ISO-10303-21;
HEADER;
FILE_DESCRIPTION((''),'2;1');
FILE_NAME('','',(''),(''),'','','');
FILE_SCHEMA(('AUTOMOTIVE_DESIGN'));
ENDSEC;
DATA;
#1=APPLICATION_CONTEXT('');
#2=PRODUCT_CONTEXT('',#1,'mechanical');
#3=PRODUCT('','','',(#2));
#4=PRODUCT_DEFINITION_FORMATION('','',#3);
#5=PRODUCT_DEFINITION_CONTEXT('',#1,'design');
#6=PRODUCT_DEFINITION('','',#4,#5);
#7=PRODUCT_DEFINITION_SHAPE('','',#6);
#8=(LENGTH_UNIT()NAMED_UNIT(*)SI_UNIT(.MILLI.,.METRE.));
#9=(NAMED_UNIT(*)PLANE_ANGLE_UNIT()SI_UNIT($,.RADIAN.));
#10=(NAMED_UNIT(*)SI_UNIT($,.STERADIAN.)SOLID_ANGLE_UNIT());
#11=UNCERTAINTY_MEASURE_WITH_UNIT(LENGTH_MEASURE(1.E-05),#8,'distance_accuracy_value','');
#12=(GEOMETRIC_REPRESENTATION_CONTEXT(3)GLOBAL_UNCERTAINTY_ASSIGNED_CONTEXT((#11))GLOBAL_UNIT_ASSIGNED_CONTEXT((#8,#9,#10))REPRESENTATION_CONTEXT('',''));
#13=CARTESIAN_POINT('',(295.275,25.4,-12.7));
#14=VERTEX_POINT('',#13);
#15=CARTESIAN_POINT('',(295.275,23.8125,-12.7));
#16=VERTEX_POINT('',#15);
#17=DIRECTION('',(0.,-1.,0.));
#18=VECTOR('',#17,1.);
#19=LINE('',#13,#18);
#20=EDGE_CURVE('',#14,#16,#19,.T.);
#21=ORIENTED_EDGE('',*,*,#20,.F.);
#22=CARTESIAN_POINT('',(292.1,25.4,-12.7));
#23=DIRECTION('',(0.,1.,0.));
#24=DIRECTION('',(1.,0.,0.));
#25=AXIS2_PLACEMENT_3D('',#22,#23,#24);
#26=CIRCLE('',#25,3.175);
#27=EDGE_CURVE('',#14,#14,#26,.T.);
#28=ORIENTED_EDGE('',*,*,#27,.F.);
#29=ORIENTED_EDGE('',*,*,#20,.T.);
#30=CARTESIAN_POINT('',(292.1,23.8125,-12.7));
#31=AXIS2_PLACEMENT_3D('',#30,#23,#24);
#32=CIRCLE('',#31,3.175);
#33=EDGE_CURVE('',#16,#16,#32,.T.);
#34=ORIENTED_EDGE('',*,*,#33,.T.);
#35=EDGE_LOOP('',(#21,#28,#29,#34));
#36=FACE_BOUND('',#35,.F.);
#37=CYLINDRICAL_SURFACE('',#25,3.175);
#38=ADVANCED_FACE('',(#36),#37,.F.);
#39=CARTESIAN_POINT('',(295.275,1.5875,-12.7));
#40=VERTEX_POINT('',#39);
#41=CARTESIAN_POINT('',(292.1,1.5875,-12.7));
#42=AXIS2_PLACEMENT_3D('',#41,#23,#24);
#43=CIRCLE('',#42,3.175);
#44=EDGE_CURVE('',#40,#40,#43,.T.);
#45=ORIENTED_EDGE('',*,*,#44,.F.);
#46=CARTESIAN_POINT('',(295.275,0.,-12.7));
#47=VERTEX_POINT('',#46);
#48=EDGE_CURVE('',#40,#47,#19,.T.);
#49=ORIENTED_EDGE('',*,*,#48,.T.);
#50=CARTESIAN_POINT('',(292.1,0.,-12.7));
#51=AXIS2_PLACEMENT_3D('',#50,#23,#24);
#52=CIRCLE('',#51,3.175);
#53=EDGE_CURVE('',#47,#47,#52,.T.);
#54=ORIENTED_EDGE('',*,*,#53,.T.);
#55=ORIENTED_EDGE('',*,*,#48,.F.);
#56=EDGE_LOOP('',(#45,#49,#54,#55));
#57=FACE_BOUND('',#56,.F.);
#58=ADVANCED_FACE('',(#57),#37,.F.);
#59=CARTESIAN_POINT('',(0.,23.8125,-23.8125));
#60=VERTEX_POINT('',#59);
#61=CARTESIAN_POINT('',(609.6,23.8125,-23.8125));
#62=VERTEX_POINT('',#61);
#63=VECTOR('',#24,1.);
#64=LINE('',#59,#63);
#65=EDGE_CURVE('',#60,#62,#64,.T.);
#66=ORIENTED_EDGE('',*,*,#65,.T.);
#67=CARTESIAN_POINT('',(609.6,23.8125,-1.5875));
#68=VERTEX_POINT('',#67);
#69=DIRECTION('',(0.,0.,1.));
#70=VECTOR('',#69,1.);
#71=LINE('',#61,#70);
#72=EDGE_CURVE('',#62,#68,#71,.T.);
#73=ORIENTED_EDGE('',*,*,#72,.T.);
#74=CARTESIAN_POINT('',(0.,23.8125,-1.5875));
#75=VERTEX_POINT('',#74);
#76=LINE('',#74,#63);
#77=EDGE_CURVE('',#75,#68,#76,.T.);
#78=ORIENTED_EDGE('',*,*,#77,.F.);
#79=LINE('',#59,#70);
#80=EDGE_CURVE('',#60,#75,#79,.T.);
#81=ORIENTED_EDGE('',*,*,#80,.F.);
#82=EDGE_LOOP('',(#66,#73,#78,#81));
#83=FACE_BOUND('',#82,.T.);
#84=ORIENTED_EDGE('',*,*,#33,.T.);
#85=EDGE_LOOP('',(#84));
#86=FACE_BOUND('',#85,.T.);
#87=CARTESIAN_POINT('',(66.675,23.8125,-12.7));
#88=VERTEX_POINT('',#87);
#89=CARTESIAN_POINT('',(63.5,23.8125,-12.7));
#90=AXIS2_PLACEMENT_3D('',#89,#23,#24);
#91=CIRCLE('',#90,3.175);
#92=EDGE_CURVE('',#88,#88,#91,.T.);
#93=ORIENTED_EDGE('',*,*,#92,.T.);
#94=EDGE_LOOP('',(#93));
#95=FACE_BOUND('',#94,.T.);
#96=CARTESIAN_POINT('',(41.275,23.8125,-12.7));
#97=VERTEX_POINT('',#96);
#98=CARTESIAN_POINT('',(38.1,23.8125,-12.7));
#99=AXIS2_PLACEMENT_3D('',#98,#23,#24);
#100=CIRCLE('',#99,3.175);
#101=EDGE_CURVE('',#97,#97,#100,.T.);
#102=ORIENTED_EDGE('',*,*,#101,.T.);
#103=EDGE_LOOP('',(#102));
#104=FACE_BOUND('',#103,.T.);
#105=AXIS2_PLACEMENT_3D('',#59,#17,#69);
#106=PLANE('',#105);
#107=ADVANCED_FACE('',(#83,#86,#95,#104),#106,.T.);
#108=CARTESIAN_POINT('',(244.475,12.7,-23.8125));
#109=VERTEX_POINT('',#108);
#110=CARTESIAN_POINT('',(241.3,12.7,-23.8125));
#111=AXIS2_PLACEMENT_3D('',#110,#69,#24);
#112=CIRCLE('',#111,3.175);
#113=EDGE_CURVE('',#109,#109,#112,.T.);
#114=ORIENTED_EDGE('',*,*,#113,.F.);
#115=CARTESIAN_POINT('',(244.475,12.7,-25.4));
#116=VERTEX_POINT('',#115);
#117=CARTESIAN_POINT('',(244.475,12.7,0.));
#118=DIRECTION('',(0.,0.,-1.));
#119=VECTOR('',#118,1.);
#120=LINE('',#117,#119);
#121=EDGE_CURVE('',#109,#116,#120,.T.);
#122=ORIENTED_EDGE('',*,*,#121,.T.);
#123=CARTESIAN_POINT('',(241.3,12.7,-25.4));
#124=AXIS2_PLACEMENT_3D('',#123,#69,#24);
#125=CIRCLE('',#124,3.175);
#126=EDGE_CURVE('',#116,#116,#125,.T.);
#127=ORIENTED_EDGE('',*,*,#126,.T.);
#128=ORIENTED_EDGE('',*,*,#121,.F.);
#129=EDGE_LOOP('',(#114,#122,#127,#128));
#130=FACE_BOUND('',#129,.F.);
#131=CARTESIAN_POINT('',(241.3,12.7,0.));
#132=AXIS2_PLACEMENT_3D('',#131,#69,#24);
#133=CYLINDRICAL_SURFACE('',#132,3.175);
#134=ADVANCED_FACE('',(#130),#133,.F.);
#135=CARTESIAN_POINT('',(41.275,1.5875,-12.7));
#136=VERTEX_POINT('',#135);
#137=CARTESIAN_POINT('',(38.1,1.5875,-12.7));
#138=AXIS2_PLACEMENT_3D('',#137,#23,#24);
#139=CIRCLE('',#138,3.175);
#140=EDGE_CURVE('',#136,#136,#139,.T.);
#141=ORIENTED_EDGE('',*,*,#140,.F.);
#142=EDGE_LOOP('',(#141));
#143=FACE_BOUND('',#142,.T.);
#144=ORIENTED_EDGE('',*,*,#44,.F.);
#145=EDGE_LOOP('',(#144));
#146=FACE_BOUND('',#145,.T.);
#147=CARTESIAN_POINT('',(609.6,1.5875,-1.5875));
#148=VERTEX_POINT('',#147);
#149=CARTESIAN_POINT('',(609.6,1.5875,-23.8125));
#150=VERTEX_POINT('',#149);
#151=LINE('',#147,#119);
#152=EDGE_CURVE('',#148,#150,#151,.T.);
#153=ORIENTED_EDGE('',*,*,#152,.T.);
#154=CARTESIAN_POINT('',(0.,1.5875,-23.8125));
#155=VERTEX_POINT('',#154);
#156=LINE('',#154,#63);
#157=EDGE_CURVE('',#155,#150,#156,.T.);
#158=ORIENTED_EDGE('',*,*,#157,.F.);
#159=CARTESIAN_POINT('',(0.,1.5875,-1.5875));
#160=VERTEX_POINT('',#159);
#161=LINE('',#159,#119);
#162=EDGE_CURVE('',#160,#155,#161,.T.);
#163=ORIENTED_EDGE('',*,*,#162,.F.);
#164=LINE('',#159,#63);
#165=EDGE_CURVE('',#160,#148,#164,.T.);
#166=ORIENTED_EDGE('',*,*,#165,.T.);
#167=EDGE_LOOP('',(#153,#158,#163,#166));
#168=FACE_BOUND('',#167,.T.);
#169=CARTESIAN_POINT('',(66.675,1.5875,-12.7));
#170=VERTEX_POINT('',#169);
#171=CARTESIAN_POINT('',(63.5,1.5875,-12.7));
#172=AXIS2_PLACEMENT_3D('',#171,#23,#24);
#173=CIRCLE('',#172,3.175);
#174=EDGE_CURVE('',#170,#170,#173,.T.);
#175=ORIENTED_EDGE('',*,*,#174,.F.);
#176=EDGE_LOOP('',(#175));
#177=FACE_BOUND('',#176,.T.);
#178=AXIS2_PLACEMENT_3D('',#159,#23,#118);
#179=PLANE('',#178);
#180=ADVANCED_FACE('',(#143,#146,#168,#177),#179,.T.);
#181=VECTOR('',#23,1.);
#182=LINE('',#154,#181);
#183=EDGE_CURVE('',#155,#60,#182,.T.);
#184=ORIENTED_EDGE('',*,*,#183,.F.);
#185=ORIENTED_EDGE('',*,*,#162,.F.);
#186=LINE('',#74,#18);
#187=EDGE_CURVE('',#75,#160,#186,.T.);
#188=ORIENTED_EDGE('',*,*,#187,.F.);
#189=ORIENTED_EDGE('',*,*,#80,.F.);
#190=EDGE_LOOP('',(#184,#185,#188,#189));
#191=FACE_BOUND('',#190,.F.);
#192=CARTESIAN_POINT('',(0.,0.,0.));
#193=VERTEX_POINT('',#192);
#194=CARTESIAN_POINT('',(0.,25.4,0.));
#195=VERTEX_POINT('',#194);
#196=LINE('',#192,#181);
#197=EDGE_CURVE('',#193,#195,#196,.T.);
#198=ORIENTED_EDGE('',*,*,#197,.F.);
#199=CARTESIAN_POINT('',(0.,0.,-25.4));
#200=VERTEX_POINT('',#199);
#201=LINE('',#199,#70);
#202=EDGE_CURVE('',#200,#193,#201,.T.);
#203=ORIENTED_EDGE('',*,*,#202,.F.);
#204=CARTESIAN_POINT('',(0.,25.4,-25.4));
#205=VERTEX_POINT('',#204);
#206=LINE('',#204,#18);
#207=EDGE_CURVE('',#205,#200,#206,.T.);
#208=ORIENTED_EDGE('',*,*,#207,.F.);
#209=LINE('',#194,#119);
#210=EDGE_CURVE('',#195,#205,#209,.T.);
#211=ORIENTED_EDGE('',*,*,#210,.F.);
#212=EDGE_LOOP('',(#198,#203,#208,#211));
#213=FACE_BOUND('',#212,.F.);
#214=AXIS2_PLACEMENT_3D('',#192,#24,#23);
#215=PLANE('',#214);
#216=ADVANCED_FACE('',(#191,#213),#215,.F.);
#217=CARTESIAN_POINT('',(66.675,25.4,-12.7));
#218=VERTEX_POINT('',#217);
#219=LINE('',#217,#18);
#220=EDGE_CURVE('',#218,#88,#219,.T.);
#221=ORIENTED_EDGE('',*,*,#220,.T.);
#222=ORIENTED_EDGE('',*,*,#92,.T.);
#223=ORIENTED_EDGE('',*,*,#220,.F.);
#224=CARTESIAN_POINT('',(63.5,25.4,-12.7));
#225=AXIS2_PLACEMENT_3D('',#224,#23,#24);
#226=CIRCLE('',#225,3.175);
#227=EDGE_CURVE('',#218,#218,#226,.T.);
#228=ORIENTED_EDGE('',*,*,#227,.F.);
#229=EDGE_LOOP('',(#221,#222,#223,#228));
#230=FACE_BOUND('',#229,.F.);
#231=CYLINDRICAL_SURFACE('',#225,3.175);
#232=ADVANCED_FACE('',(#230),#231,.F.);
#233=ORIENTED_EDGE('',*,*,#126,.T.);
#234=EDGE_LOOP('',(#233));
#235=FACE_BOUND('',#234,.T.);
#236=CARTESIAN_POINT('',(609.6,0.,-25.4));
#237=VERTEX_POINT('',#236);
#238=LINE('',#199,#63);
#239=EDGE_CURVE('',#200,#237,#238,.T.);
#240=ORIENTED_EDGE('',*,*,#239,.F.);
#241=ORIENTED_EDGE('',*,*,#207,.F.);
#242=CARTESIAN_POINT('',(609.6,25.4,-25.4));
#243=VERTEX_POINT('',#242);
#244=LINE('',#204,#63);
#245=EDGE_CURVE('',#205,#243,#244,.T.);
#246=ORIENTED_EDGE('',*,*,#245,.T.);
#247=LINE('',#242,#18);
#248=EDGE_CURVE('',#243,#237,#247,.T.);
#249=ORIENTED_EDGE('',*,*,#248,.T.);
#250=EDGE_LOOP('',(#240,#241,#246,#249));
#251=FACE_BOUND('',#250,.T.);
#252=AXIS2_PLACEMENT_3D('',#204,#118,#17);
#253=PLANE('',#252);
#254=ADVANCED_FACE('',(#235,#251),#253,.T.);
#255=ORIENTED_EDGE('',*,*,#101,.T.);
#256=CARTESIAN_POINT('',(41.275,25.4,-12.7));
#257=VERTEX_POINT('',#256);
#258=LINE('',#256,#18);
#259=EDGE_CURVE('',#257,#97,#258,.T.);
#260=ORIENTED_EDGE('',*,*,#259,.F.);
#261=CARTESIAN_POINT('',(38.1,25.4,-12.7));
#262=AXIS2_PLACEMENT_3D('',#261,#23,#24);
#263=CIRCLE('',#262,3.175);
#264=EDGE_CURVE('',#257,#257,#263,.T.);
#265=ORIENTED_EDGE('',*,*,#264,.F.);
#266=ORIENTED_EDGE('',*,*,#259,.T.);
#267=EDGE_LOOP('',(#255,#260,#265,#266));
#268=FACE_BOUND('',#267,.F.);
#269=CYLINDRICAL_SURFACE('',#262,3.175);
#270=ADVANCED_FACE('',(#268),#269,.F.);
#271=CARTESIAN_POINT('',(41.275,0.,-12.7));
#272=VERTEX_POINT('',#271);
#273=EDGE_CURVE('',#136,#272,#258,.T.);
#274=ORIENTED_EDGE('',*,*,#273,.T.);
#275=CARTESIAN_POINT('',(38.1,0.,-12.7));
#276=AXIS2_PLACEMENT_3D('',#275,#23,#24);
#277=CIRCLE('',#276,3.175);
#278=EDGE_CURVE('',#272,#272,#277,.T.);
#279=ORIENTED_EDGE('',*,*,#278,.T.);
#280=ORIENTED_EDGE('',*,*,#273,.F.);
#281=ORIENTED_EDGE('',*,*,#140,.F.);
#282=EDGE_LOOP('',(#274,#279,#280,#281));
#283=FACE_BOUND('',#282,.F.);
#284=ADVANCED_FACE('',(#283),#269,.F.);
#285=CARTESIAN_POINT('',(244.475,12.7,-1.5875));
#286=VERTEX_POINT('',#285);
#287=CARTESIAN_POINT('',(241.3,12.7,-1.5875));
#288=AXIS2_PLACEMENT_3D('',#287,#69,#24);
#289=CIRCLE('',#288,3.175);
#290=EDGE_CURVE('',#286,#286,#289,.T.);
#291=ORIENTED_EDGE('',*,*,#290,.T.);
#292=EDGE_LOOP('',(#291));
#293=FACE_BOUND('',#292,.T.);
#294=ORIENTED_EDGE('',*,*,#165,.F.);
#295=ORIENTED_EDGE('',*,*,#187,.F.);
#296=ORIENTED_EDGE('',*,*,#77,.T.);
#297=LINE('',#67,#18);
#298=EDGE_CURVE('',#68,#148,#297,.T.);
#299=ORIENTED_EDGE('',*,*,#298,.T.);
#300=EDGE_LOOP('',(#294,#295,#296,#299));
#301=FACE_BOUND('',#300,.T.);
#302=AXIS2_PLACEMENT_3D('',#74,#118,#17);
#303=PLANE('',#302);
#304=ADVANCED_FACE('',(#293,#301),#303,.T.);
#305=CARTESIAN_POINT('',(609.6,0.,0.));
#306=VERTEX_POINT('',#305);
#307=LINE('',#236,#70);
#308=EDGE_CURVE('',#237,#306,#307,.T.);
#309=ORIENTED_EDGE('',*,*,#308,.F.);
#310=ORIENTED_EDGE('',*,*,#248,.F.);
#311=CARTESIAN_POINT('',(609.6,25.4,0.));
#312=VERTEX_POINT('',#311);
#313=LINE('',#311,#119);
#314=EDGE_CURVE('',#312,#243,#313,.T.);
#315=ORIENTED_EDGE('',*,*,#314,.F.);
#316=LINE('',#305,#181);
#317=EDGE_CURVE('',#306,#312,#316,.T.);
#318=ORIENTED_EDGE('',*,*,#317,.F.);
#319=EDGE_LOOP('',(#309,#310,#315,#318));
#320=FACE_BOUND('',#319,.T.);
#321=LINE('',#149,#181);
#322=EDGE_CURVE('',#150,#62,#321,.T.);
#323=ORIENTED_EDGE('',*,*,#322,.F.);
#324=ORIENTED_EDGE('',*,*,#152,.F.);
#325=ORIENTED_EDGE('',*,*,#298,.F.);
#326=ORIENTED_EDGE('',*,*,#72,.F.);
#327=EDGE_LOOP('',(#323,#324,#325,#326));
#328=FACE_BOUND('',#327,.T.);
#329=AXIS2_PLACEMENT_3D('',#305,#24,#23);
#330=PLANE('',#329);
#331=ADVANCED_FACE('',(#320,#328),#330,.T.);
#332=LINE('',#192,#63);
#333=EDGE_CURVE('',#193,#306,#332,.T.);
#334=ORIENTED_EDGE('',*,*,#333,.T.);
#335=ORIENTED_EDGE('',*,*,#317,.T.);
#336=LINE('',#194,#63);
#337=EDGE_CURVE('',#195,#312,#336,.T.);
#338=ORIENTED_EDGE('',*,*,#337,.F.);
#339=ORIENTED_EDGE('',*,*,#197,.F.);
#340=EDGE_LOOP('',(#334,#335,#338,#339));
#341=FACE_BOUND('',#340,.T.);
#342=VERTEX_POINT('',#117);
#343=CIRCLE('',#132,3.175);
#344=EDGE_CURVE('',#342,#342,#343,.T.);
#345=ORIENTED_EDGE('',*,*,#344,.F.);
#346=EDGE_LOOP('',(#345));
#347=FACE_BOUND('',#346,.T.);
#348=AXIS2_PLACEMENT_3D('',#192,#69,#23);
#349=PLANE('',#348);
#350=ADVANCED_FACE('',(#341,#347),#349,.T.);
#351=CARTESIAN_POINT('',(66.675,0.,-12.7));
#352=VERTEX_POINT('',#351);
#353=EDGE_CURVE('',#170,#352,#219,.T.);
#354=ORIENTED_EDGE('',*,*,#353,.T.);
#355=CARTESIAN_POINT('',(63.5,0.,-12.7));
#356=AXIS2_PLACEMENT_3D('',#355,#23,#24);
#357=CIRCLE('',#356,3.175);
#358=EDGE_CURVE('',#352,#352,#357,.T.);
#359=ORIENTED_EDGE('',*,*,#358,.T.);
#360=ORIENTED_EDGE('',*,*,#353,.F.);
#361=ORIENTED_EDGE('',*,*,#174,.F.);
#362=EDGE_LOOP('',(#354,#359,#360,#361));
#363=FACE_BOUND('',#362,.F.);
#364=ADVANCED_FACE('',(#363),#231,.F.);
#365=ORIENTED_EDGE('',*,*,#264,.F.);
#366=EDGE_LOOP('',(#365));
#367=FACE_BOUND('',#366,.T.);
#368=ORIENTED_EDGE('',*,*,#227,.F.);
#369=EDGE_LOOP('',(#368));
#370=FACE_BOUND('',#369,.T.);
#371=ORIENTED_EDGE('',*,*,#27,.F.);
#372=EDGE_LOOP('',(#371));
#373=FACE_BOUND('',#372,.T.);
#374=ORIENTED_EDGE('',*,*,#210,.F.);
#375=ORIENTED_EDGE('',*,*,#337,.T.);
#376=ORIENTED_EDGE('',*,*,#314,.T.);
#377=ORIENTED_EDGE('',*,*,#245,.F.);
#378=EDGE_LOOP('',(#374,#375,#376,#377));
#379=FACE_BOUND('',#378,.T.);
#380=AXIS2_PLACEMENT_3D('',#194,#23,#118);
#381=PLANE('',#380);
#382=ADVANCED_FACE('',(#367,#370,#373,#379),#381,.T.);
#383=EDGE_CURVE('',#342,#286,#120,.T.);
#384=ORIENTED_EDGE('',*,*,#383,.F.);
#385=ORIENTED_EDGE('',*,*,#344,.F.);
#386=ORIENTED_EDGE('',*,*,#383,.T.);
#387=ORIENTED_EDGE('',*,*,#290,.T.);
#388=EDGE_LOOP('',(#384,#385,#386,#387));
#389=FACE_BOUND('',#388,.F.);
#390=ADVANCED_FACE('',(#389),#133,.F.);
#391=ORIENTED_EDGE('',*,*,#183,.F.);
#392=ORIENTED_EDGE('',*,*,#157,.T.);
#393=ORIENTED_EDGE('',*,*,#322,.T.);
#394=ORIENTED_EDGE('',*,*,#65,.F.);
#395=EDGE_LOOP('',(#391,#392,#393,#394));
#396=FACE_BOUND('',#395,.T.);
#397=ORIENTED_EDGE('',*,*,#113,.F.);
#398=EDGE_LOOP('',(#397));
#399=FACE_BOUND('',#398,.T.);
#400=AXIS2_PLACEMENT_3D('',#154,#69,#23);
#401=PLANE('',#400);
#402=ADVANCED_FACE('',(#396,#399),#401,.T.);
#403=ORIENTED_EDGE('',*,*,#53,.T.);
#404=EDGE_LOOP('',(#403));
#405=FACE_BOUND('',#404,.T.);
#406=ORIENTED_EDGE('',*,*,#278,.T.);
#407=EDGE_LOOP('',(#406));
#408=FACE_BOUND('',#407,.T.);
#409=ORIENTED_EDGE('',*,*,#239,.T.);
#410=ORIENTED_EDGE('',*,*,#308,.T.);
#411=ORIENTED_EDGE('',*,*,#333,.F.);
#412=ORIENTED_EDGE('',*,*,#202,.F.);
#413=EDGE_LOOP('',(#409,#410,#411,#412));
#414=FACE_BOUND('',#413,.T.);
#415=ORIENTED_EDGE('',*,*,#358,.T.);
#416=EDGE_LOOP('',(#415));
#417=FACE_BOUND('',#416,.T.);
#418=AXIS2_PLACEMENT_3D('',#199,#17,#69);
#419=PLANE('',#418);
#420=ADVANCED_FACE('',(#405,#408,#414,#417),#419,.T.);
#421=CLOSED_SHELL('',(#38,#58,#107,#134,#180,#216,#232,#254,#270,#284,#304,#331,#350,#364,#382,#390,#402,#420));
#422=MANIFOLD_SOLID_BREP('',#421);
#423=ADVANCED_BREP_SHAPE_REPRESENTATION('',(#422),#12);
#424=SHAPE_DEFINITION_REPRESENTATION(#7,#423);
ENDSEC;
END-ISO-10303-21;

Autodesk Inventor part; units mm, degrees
ref_plane "YZ Plane" through (0, 0, 0) normal (1, 0, 0) x (0, 1, 0)
ref_plane "XZ Plane" through (0, 0, 0) normal (0, 1, 0) x (-1, 0, 0)
ref_plane "XY Plane" through (0, 0, 0) normal (0, 0, 1) x (1, 0, 0)
sketch "Sketch1" plane through (0, 0, 0) normal (1, 0, 0) x (0, 1, 0)
  line L0 (0, 0) -> (25.4, 0)
  line L1 (25.4, 0) -> (25.4, -25.4)
  line L2 (25.4, -25.4) -> (0, -25.4)
  line L3 (0, -25.4) -> (0, 0)
  line L4 (23.8125, -1.5875) -> (1.5875, -1.5875)
  line L5 (1.5875, -1.5875) -> (1.5875, -23.8125)
  line L6 (1.5875, -23.8125) -> (23.8125, -23.8125)
  line L7 (23.8125, -23.8125) -> (23.8125, -1.5875)
  dimension "d0" = 25.4
  dimension "d1" = 25.4
  dimension "d2" = 1.5875
extrude "Extrusion1" add sketch "Sketch1" along normal blind 609.6
sketch "Sketch2" plane through (0, 25.4, 0) normal (0, 1, 0) x (1, 0, 0)
  line L0 (0, 1.5875) -> (0, 23.8125) projected
  line L1 (0, 12.7) -> (64.9449, 12.7) construction
  circle A0 centre (38.1, 12.7) radius 3.175
  circle A1 centre (63.5, 12.7) radius 3.175
  circle A2 centre (292.1, 12.7) radius 3.175
  point P0 (0, 0)
  dimension "d5" = 6.35
  dimension "d6" = 38.1
  dimension "d7" = 63.5
  dimension "d8" = 292.1
extrude "Extrusion2" cut sketch "Sketch2" against normal blind 25.4
sketch "Sketch3" plane through (0, 0, 0) normal (0, 0, 1) x (1, 0, 0)
  line L0 (0, 23.8125) -> (0, 1.5875) projected
  line L1 (0, 12.7) -> (84.2174, 12.7) construction
  circle A0 centre (241.3, 12.7) radius 3.175
  point P0 (0, 0)
  dimension "d11" = 6.35
  dimension "d12" = 241.3
extrude "Extrusion3" cut sketch "Sketch3" against normal blind 25.4
properties part number "Short horizontal"
